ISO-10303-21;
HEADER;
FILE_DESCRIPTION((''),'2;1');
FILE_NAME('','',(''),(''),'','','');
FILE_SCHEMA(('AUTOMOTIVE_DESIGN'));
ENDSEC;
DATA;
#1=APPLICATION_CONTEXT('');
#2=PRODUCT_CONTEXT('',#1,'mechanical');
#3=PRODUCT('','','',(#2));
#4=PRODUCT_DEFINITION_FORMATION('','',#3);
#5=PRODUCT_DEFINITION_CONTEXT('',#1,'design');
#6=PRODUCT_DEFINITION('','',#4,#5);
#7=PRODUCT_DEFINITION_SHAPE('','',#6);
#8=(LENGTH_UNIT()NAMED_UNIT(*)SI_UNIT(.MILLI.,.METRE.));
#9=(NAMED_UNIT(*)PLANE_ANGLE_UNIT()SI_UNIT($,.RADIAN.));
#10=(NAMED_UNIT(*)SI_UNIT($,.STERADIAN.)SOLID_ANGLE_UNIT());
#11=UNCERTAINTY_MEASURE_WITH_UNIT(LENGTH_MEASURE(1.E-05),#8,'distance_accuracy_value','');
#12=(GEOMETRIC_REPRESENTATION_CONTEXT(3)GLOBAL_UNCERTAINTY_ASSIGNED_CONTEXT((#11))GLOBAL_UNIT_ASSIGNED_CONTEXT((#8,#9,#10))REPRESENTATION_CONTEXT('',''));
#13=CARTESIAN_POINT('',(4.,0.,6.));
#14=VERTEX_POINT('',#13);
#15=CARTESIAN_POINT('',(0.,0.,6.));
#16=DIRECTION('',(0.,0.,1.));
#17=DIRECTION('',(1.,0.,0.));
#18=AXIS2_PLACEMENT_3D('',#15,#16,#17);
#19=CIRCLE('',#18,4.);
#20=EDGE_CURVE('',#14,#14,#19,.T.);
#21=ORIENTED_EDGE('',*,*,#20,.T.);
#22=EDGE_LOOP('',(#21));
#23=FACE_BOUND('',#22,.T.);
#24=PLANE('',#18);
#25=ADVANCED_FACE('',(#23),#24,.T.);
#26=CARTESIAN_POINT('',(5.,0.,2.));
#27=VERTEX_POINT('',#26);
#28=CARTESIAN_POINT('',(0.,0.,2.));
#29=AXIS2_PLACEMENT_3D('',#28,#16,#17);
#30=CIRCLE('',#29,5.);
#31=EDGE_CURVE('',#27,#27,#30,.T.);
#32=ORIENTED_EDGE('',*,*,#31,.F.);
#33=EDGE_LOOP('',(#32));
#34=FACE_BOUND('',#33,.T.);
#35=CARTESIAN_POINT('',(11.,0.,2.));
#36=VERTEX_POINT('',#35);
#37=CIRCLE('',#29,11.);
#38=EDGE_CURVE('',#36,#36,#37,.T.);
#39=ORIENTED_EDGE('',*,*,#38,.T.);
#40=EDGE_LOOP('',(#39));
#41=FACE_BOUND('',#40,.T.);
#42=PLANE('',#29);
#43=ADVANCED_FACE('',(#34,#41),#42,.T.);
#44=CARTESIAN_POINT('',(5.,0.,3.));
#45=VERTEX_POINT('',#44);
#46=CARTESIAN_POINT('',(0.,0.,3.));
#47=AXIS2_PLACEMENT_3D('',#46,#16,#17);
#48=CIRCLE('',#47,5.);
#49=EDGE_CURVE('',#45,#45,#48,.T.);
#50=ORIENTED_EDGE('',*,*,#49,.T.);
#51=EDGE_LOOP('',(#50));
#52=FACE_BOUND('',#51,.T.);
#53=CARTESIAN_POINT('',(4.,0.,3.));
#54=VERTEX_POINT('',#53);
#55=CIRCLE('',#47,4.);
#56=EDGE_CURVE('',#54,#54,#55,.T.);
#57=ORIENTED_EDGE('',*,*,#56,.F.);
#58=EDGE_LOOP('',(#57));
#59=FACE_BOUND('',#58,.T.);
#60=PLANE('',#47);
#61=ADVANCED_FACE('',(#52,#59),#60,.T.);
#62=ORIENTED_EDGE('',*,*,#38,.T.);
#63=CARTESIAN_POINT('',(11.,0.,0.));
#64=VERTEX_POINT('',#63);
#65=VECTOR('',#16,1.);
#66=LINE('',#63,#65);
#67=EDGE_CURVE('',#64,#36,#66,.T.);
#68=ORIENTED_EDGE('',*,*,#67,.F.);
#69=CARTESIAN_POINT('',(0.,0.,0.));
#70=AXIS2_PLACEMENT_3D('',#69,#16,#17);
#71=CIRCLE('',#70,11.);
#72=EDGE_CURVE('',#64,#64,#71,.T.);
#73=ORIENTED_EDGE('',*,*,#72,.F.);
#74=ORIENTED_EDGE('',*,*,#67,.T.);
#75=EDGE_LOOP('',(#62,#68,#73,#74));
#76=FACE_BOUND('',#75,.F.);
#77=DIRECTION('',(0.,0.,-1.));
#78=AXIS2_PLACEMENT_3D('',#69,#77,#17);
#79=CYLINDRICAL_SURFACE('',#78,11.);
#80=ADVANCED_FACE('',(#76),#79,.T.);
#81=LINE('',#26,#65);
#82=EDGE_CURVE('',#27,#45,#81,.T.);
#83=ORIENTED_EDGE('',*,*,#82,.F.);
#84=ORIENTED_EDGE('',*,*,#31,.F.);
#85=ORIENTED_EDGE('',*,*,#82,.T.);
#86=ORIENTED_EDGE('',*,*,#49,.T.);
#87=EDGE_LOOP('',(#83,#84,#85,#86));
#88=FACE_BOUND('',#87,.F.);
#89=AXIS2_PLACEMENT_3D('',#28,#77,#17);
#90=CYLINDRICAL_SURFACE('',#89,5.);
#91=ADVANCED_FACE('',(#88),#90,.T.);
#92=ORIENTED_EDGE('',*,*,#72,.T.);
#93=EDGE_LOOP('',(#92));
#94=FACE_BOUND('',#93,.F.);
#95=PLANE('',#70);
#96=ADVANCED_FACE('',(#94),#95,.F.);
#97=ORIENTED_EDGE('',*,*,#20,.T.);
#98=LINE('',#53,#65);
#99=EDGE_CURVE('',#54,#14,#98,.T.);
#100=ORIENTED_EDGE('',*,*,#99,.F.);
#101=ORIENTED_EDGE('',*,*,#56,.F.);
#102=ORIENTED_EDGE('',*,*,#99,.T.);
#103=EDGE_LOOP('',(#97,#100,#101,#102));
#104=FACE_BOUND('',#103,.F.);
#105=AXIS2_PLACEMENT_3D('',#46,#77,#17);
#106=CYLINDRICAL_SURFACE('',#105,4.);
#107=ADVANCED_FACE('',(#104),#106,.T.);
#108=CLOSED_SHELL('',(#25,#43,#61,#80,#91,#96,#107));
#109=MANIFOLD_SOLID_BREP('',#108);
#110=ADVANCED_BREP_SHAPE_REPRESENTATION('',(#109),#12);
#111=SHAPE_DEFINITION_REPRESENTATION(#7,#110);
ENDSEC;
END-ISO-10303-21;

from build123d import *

# Parameters (mm, degrees)
F0_R     = 11
F1_DEPTH = 2
F2_R     = 5
F3_DEPTH = 1
F4_R     = 4
F5_DEPTH = 3


with BuildPart() as f1:
    # F0 (on Top) → F1 (new body)
    with BuildSketch(Plane.XY):
        Circle(F0_R)
    extrude(amount=F1_DEPTH)

    # F2 (on face) → F3 (join)
    with BuildSketch(Plane.XY.offset(2)):
        Circle(F2_R)
    extrude(amount=F3_DEPTH)

    # F4 (on face) → F5 (join)
    with BuildSketch(Plane.XY.offset(3)):
        Circle(F4_R)
    extrude(amount=F5_DEPTH)


solid = f1.part
